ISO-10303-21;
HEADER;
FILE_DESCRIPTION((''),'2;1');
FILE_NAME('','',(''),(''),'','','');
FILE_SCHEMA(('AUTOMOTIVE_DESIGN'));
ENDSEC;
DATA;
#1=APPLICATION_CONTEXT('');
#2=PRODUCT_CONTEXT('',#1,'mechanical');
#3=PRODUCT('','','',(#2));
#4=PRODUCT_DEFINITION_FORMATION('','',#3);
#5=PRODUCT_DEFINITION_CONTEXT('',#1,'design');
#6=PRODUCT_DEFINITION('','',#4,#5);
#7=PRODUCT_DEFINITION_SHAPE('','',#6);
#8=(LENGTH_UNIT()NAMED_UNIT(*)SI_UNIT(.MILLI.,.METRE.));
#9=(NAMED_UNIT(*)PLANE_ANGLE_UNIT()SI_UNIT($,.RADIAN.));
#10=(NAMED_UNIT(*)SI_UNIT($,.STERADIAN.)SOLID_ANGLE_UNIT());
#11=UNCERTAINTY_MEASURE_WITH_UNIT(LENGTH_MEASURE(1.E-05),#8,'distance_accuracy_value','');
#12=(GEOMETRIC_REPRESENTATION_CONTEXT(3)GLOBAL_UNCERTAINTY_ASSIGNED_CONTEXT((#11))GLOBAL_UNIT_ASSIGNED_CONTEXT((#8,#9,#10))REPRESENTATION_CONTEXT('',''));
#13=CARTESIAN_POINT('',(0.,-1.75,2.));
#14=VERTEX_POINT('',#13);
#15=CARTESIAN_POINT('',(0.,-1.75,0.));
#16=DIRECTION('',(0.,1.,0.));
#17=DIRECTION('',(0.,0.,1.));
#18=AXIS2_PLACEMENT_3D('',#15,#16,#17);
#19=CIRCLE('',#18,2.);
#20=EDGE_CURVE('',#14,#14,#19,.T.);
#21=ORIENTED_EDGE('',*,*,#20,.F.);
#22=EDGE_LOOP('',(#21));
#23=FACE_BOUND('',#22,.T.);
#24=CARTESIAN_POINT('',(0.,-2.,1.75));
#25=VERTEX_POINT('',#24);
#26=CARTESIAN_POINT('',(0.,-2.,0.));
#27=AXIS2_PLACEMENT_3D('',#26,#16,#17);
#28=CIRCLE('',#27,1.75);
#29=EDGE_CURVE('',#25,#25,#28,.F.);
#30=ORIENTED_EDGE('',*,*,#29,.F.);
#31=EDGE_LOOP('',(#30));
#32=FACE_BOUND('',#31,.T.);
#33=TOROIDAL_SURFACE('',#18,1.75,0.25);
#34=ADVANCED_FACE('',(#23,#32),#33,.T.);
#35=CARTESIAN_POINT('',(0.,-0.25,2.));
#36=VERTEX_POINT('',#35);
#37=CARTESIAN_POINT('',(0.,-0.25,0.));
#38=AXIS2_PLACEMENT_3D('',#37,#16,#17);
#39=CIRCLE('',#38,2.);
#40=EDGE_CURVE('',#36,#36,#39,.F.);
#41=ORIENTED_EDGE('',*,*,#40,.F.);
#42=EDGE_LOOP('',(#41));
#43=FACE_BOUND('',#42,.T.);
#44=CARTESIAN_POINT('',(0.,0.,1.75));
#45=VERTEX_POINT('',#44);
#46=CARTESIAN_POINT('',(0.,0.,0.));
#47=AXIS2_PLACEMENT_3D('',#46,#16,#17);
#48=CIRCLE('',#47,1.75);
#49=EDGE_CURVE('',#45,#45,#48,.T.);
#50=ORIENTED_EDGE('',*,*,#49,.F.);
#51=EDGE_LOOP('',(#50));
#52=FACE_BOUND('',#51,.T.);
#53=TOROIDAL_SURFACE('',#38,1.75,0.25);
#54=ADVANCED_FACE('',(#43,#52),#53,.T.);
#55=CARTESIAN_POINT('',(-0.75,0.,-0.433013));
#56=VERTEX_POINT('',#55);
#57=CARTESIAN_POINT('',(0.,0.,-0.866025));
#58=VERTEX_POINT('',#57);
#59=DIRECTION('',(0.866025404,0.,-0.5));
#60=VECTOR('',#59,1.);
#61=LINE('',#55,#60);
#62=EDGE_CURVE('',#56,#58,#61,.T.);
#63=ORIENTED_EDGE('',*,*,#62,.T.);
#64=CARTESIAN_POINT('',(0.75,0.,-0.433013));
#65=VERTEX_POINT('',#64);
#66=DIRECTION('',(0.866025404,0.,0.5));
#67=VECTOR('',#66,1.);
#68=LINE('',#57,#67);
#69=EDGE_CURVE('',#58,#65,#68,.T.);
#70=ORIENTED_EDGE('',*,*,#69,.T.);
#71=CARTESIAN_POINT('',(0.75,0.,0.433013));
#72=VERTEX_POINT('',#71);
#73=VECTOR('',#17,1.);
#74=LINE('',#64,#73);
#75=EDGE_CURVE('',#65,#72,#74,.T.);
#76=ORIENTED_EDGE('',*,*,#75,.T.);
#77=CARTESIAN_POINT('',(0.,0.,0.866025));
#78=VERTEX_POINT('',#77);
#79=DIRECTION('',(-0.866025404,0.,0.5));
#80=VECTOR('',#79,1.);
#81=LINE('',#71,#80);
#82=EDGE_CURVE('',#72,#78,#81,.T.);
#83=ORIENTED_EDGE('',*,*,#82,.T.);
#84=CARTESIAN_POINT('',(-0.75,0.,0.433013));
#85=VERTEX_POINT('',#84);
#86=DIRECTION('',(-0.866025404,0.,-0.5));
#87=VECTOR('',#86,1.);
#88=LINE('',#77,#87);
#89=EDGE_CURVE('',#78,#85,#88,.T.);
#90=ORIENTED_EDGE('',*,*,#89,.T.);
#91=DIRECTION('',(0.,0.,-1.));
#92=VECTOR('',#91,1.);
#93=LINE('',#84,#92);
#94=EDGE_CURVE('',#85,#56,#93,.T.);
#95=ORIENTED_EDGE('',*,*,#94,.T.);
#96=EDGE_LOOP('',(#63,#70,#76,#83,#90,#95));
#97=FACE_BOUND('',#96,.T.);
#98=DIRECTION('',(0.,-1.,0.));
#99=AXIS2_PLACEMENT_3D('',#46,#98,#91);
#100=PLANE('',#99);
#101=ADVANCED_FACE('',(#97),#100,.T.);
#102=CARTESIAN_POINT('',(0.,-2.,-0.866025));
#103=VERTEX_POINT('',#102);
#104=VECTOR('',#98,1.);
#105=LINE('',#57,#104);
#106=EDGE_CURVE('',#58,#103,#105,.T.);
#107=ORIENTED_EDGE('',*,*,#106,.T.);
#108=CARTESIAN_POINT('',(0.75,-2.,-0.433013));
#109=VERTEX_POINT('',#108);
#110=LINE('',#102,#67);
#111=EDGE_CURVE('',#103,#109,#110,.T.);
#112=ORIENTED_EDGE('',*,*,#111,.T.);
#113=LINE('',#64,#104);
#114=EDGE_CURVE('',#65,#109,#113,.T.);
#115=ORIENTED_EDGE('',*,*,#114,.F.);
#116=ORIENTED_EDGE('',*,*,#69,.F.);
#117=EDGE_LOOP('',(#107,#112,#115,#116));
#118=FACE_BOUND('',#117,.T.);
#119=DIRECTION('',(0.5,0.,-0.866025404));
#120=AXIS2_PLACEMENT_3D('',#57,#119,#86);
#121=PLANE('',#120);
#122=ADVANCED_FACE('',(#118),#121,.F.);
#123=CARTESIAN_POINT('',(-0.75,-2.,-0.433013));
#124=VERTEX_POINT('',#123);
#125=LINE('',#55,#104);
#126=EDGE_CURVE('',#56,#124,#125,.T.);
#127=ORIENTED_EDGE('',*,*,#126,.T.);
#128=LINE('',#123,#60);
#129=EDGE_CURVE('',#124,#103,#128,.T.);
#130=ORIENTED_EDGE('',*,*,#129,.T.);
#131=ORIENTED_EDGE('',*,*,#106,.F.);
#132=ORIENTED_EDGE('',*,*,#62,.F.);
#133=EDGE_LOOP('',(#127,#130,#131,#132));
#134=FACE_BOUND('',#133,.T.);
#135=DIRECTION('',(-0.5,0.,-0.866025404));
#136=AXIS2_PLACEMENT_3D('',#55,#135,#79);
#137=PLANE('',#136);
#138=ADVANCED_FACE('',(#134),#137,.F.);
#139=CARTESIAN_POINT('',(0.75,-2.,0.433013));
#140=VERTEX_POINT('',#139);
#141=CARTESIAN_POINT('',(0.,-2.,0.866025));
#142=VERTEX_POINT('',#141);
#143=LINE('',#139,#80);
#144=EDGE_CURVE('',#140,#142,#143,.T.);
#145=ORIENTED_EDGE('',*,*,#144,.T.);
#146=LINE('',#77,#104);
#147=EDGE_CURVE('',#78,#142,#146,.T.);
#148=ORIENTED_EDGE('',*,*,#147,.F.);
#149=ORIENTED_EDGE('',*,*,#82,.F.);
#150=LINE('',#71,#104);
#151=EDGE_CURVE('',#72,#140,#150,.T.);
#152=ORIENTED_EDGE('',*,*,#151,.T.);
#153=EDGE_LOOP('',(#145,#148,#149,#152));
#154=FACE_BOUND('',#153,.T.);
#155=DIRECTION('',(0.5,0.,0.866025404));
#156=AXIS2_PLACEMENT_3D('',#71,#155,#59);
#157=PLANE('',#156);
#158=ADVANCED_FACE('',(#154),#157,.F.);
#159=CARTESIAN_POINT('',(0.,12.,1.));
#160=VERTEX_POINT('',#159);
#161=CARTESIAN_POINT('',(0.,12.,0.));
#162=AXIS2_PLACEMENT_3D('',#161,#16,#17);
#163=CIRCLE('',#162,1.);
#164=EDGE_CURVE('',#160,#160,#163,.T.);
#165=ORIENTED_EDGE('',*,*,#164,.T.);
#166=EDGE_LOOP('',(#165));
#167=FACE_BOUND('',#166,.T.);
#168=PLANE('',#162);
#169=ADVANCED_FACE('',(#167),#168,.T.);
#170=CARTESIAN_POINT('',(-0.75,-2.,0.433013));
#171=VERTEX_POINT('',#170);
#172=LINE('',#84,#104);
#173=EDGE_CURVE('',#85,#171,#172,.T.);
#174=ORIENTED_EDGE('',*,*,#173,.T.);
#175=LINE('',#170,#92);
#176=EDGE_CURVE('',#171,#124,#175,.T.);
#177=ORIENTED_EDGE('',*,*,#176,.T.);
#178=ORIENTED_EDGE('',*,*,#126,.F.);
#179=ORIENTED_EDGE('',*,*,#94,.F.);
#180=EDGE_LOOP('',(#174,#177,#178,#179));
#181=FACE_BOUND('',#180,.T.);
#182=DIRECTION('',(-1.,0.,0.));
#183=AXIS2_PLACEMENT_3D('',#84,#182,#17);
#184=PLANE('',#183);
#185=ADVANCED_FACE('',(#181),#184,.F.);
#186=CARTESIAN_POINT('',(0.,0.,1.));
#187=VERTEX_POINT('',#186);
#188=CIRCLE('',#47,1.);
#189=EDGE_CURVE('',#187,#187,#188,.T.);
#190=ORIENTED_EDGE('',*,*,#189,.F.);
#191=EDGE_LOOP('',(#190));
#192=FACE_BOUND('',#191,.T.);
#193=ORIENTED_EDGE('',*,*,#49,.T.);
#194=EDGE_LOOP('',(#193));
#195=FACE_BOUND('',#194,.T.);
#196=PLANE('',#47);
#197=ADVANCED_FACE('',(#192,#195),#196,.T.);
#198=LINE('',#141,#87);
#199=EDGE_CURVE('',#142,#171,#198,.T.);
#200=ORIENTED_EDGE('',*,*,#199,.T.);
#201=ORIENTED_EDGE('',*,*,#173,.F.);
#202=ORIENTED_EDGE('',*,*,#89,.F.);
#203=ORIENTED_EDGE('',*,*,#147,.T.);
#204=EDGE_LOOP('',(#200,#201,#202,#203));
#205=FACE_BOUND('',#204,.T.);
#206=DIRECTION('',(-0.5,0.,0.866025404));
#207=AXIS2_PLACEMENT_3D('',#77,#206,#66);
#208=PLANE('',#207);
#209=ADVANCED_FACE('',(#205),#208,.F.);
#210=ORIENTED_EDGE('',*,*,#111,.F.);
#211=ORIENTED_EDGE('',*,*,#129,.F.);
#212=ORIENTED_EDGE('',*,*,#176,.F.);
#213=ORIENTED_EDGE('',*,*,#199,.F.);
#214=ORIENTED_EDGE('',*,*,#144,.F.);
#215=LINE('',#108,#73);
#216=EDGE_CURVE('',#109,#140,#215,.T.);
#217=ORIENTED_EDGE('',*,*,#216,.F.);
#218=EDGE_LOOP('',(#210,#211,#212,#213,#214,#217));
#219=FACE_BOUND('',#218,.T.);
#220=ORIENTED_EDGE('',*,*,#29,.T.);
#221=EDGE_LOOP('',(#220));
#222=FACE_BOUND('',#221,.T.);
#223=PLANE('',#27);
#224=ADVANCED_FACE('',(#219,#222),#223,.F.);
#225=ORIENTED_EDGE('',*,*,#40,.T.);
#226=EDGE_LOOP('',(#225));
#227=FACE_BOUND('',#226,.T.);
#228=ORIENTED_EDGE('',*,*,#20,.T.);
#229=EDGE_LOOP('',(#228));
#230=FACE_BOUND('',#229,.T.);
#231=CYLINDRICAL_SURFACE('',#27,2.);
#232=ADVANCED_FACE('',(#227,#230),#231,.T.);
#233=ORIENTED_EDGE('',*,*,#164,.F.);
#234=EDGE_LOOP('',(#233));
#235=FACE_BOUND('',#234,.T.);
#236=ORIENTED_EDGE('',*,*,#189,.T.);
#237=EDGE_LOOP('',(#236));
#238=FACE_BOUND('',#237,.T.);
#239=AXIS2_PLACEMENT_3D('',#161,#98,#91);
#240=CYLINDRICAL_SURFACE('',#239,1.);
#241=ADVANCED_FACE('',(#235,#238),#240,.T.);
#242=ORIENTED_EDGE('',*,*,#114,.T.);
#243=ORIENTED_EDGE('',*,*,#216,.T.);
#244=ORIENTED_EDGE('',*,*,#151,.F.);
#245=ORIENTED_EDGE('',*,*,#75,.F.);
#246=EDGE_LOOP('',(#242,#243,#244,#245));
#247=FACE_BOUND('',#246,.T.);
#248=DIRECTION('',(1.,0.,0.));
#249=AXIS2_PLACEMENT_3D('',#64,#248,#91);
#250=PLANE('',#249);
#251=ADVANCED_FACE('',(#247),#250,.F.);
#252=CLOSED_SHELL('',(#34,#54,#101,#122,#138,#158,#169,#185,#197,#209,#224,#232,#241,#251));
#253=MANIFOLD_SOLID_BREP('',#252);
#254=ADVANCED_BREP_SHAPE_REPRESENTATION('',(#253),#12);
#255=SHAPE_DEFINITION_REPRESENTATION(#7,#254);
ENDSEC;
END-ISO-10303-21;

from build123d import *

# Parameters (mm, degrees)
SKETCH1_R           = 1
BOSS_EXTRUDE1_DEPTH = 12
SKETCH1_3_R         = 2
BOSS_EXTRUDE2_DEPTH = 2
CUT_EXTRUDE1_DEPTH  = 2
FILLET1_R           = 0.25


with BuildPart() as part:
    # Sketch1 → Boss-Extrude1 (new body)
    with BuildSketch(Plane(origin=(0, 0, 0), x_dir=(1, 0, 0), z_dir=(0, 1, 0))):
        Circle(SKETCH1_R)
    extrude(amount=BOSS_EXTRUDE1_DEPTH)

    # Sketch1<3> → Boss-Extrude2 (add)
    with BuildSketch(Plane(origin=(0, 0, 0), x_dir=(1, 0, 0), z_dir=(0, 1, 0))):
        Circle(SKETCH1_3_R)
    extrude(amount=-BOSS_EXTRUDE2_DEPTH)

    # Sketch2 → Cut-Extrude1 (cut)
    with BuildSketch(Plane.XZ.offset(2)):
        Polygon((0, 0.866025404), (-0.75, 0.433012702), (-0.75, -0.433012702), (0, -0.866025404), (0.75, -0.433012702), (0.75, 0.433012702), align=None)
    extrude(amount=-CUT_EXTRUDE1_DEPTH, mode=Mode.SUBTRACT)

    # Fillet1
    fillet1_edges = [part.edges().sort_by_distance(p)[0] for p in [
        (-2, 0, 0),
        (-2, -2, 0),
    ]]
    fillet(fillet1_edges, radius=FILLET1_R)


solid = part.part
